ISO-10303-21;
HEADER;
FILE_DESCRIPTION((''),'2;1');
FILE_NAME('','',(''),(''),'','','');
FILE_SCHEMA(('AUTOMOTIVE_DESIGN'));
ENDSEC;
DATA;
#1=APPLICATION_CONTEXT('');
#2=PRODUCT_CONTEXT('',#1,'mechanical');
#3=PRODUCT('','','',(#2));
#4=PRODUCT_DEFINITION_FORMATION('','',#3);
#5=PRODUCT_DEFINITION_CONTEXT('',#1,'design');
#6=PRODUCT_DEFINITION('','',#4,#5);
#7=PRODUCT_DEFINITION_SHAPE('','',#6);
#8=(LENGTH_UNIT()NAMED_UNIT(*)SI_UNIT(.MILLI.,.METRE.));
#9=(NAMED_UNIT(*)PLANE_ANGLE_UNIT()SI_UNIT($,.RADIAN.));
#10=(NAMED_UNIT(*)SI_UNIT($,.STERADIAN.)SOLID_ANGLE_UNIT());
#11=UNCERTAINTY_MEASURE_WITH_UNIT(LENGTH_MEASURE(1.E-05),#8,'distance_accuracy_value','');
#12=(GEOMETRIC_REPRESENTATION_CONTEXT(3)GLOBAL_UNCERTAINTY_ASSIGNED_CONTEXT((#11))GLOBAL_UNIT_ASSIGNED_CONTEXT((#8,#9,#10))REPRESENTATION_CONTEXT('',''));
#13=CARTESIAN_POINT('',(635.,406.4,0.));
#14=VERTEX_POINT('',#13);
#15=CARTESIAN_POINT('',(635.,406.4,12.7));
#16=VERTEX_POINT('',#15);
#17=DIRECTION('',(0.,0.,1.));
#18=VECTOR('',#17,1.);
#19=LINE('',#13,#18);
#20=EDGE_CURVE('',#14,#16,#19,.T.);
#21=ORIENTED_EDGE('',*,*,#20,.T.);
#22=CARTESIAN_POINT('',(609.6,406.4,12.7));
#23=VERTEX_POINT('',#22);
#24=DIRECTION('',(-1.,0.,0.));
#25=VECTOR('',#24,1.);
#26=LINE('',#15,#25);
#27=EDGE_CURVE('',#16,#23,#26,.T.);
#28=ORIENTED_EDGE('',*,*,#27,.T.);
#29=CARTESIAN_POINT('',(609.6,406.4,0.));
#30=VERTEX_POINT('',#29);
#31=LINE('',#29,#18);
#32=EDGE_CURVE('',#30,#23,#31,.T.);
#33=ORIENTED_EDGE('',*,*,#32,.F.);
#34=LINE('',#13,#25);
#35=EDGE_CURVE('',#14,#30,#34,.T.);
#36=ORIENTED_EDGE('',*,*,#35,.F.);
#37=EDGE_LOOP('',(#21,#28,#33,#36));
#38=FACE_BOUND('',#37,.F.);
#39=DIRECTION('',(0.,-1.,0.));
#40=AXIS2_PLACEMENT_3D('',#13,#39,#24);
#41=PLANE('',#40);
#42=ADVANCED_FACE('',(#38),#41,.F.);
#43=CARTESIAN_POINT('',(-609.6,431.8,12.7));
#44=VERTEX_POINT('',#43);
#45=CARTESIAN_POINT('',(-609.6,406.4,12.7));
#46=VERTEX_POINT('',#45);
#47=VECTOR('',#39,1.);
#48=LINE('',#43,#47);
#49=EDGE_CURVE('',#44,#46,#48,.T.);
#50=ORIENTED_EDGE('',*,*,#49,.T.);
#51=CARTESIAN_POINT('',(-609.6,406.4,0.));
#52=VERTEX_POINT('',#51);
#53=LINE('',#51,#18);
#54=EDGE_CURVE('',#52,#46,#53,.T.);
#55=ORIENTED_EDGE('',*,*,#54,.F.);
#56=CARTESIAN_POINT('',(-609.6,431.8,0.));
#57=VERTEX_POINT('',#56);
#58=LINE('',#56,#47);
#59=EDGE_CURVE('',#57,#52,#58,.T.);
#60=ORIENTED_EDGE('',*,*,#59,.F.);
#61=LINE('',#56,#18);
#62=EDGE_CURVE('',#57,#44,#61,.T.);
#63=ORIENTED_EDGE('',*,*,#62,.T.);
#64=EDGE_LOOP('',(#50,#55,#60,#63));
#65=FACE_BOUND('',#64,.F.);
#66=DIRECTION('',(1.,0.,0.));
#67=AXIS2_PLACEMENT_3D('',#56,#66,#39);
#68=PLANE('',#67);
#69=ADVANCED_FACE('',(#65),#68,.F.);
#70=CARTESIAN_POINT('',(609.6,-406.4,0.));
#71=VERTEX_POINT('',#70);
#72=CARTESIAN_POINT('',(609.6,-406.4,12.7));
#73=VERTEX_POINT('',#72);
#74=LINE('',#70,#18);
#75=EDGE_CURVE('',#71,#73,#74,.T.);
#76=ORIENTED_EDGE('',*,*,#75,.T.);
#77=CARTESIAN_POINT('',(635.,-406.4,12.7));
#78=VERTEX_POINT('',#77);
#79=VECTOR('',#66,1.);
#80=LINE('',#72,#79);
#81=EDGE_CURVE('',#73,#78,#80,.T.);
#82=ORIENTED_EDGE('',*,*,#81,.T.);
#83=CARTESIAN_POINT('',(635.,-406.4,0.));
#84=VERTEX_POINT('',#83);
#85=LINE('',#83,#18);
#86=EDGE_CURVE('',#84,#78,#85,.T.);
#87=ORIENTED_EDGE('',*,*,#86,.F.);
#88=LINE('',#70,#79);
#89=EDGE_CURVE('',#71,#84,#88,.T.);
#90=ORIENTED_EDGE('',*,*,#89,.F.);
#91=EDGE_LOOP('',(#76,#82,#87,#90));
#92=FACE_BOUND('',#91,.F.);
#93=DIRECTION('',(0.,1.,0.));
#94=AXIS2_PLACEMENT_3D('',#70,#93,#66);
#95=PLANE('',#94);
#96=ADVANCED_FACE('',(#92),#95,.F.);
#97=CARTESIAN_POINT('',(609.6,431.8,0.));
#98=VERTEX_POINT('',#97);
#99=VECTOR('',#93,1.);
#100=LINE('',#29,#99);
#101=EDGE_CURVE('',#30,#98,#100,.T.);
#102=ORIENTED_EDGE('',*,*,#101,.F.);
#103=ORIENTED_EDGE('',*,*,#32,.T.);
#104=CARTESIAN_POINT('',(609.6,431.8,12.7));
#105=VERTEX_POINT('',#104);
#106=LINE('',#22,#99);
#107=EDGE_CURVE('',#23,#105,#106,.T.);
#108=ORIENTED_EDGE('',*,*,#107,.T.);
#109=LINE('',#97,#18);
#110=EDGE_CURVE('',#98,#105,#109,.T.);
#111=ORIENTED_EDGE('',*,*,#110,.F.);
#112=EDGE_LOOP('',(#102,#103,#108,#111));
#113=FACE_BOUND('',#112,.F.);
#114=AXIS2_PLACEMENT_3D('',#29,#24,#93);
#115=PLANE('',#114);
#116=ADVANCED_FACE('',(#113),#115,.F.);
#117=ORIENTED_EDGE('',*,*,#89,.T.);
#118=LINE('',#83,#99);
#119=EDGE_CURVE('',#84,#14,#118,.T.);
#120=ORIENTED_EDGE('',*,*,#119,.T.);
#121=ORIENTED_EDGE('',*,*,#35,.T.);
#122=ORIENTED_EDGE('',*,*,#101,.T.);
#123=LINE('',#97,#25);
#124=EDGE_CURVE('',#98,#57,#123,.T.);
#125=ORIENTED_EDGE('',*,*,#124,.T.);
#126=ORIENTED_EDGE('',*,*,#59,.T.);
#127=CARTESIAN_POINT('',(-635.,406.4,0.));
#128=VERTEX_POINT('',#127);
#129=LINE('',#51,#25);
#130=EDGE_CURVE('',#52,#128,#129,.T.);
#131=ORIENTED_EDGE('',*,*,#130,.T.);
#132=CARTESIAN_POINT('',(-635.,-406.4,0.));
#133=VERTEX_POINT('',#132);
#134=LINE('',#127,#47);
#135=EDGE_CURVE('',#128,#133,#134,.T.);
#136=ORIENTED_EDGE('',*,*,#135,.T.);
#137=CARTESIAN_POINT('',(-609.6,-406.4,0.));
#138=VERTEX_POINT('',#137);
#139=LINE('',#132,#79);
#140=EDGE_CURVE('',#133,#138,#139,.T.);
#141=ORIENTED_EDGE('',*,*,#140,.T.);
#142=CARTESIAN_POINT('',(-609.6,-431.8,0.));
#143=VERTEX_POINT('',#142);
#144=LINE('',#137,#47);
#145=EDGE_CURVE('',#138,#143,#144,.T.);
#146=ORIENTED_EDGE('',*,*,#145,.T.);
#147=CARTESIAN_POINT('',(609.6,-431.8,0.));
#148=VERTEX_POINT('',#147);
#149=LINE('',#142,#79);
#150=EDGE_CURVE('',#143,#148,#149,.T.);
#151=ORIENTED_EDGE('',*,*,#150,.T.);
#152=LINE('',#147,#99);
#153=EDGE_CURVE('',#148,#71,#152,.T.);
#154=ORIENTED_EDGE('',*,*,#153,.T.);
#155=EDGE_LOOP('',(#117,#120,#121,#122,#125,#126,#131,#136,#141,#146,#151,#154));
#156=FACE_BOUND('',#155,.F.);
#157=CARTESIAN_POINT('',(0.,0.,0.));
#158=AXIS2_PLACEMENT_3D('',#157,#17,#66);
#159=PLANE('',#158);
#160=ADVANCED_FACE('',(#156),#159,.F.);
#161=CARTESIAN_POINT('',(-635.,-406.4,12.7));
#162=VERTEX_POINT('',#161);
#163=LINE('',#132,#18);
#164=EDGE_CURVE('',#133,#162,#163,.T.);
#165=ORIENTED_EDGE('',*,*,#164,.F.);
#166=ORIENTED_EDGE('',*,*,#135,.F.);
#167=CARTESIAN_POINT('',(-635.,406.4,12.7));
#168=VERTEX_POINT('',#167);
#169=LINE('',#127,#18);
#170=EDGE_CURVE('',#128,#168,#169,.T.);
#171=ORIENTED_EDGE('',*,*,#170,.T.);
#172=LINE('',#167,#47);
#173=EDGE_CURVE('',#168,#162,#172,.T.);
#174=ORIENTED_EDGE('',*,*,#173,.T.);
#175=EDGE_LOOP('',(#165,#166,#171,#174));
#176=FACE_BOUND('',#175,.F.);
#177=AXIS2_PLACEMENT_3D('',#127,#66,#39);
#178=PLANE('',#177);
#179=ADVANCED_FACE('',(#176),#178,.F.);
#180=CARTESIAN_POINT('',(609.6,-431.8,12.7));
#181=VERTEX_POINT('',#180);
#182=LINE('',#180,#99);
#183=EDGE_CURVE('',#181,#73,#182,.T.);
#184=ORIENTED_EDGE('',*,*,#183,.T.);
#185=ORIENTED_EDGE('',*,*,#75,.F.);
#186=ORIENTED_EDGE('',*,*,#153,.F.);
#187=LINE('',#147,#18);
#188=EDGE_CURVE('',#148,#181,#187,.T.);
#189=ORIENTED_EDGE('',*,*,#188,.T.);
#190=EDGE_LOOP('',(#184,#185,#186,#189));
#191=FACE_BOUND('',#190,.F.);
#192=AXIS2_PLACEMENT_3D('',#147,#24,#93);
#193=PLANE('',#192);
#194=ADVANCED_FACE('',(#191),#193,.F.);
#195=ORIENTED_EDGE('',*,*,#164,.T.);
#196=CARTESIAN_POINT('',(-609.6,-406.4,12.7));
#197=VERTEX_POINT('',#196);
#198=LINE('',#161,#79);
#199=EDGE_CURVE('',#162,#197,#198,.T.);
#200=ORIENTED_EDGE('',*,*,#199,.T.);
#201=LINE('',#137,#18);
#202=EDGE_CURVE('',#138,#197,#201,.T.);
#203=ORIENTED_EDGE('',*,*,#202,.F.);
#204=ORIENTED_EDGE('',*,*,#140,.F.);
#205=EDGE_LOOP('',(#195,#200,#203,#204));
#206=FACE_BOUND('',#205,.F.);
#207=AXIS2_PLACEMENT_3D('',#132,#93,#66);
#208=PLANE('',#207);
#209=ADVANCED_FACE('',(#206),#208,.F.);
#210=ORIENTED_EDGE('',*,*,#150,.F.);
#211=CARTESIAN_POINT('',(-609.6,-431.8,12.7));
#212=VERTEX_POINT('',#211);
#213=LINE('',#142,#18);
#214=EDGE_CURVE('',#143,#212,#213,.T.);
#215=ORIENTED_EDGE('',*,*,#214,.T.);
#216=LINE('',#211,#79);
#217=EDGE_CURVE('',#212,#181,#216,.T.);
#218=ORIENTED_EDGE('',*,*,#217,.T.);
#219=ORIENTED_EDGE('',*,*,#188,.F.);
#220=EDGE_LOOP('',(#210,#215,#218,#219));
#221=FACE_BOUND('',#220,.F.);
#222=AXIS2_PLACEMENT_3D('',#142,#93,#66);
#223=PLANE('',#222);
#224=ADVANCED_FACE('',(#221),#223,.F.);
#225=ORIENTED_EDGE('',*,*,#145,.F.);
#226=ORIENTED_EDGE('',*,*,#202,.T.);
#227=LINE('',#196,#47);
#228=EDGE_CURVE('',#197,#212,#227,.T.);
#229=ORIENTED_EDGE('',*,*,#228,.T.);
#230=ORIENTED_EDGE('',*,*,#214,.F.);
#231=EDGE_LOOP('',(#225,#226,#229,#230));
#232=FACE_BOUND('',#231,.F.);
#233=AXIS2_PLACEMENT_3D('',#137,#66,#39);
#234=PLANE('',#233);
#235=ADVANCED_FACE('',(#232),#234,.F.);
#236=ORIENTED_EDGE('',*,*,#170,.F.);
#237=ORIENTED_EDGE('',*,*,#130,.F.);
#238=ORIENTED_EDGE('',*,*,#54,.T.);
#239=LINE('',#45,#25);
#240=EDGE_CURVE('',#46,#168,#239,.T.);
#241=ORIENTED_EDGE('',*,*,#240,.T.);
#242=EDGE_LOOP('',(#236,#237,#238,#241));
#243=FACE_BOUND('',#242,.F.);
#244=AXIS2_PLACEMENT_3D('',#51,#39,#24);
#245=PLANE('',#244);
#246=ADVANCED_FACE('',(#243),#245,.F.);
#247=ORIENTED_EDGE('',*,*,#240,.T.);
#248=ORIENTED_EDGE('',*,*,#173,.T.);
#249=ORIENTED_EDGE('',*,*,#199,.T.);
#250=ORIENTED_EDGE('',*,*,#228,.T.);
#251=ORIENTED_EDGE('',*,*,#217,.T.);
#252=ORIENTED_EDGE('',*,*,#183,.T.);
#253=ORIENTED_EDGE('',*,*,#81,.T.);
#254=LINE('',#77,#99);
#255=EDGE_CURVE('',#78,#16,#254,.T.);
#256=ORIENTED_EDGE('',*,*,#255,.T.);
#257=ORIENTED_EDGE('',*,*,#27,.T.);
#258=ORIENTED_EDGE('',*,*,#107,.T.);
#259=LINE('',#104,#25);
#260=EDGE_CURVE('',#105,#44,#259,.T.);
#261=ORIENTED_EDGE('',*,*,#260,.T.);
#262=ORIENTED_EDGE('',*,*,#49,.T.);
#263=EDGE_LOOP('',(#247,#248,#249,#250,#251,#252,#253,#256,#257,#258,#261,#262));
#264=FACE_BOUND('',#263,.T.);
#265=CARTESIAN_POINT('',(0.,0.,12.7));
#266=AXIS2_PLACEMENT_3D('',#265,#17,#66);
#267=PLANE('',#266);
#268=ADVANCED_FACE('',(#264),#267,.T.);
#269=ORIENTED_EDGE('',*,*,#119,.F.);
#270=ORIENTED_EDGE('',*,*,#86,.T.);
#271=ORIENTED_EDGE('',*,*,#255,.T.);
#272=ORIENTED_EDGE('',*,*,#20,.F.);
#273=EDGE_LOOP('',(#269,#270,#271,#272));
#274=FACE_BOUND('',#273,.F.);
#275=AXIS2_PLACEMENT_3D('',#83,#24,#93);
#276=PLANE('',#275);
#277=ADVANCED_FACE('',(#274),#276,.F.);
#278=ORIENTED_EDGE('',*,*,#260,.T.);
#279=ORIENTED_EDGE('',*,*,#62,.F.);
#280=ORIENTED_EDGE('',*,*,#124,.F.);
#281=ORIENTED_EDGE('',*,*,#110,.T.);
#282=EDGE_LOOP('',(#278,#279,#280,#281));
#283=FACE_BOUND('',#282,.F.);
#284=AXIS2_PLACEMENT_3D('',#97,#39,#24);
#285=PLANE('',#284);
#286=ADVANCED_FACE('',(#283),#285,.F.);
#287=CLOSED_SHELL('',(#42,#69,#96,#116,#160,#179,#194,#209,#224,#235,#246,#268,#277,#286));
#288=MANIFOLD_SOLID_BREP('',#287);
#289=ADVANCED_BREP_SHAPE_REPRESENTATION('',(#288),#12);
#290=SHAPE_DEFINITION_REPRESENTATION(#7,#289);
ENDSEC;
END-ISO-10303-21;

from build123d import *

# Parameters (mm, degrees)
F1_DEPTH = 12.7


with BuildPart() as f1:
    # F0 (on Top) → F1 (new body)
    with BuildSketch(Plane.XY):
        Polygon((635, -406.4), (635, 0), (635, 406.4), (609.6, 406.4), (609.6, 431.8), (0, 431.8), (-609.6, 431.8), (-609.6, 406.4), (-635, 406.4), (-635, 0), (-635, -406.4), (-609.6, -406.4), (-609.6, -431.8), (0, -431.8), (609.6, -431.8), (609.6, -406.4), align=None)
    extrude(amount=F1_DEPTH)


solid = f1.part
